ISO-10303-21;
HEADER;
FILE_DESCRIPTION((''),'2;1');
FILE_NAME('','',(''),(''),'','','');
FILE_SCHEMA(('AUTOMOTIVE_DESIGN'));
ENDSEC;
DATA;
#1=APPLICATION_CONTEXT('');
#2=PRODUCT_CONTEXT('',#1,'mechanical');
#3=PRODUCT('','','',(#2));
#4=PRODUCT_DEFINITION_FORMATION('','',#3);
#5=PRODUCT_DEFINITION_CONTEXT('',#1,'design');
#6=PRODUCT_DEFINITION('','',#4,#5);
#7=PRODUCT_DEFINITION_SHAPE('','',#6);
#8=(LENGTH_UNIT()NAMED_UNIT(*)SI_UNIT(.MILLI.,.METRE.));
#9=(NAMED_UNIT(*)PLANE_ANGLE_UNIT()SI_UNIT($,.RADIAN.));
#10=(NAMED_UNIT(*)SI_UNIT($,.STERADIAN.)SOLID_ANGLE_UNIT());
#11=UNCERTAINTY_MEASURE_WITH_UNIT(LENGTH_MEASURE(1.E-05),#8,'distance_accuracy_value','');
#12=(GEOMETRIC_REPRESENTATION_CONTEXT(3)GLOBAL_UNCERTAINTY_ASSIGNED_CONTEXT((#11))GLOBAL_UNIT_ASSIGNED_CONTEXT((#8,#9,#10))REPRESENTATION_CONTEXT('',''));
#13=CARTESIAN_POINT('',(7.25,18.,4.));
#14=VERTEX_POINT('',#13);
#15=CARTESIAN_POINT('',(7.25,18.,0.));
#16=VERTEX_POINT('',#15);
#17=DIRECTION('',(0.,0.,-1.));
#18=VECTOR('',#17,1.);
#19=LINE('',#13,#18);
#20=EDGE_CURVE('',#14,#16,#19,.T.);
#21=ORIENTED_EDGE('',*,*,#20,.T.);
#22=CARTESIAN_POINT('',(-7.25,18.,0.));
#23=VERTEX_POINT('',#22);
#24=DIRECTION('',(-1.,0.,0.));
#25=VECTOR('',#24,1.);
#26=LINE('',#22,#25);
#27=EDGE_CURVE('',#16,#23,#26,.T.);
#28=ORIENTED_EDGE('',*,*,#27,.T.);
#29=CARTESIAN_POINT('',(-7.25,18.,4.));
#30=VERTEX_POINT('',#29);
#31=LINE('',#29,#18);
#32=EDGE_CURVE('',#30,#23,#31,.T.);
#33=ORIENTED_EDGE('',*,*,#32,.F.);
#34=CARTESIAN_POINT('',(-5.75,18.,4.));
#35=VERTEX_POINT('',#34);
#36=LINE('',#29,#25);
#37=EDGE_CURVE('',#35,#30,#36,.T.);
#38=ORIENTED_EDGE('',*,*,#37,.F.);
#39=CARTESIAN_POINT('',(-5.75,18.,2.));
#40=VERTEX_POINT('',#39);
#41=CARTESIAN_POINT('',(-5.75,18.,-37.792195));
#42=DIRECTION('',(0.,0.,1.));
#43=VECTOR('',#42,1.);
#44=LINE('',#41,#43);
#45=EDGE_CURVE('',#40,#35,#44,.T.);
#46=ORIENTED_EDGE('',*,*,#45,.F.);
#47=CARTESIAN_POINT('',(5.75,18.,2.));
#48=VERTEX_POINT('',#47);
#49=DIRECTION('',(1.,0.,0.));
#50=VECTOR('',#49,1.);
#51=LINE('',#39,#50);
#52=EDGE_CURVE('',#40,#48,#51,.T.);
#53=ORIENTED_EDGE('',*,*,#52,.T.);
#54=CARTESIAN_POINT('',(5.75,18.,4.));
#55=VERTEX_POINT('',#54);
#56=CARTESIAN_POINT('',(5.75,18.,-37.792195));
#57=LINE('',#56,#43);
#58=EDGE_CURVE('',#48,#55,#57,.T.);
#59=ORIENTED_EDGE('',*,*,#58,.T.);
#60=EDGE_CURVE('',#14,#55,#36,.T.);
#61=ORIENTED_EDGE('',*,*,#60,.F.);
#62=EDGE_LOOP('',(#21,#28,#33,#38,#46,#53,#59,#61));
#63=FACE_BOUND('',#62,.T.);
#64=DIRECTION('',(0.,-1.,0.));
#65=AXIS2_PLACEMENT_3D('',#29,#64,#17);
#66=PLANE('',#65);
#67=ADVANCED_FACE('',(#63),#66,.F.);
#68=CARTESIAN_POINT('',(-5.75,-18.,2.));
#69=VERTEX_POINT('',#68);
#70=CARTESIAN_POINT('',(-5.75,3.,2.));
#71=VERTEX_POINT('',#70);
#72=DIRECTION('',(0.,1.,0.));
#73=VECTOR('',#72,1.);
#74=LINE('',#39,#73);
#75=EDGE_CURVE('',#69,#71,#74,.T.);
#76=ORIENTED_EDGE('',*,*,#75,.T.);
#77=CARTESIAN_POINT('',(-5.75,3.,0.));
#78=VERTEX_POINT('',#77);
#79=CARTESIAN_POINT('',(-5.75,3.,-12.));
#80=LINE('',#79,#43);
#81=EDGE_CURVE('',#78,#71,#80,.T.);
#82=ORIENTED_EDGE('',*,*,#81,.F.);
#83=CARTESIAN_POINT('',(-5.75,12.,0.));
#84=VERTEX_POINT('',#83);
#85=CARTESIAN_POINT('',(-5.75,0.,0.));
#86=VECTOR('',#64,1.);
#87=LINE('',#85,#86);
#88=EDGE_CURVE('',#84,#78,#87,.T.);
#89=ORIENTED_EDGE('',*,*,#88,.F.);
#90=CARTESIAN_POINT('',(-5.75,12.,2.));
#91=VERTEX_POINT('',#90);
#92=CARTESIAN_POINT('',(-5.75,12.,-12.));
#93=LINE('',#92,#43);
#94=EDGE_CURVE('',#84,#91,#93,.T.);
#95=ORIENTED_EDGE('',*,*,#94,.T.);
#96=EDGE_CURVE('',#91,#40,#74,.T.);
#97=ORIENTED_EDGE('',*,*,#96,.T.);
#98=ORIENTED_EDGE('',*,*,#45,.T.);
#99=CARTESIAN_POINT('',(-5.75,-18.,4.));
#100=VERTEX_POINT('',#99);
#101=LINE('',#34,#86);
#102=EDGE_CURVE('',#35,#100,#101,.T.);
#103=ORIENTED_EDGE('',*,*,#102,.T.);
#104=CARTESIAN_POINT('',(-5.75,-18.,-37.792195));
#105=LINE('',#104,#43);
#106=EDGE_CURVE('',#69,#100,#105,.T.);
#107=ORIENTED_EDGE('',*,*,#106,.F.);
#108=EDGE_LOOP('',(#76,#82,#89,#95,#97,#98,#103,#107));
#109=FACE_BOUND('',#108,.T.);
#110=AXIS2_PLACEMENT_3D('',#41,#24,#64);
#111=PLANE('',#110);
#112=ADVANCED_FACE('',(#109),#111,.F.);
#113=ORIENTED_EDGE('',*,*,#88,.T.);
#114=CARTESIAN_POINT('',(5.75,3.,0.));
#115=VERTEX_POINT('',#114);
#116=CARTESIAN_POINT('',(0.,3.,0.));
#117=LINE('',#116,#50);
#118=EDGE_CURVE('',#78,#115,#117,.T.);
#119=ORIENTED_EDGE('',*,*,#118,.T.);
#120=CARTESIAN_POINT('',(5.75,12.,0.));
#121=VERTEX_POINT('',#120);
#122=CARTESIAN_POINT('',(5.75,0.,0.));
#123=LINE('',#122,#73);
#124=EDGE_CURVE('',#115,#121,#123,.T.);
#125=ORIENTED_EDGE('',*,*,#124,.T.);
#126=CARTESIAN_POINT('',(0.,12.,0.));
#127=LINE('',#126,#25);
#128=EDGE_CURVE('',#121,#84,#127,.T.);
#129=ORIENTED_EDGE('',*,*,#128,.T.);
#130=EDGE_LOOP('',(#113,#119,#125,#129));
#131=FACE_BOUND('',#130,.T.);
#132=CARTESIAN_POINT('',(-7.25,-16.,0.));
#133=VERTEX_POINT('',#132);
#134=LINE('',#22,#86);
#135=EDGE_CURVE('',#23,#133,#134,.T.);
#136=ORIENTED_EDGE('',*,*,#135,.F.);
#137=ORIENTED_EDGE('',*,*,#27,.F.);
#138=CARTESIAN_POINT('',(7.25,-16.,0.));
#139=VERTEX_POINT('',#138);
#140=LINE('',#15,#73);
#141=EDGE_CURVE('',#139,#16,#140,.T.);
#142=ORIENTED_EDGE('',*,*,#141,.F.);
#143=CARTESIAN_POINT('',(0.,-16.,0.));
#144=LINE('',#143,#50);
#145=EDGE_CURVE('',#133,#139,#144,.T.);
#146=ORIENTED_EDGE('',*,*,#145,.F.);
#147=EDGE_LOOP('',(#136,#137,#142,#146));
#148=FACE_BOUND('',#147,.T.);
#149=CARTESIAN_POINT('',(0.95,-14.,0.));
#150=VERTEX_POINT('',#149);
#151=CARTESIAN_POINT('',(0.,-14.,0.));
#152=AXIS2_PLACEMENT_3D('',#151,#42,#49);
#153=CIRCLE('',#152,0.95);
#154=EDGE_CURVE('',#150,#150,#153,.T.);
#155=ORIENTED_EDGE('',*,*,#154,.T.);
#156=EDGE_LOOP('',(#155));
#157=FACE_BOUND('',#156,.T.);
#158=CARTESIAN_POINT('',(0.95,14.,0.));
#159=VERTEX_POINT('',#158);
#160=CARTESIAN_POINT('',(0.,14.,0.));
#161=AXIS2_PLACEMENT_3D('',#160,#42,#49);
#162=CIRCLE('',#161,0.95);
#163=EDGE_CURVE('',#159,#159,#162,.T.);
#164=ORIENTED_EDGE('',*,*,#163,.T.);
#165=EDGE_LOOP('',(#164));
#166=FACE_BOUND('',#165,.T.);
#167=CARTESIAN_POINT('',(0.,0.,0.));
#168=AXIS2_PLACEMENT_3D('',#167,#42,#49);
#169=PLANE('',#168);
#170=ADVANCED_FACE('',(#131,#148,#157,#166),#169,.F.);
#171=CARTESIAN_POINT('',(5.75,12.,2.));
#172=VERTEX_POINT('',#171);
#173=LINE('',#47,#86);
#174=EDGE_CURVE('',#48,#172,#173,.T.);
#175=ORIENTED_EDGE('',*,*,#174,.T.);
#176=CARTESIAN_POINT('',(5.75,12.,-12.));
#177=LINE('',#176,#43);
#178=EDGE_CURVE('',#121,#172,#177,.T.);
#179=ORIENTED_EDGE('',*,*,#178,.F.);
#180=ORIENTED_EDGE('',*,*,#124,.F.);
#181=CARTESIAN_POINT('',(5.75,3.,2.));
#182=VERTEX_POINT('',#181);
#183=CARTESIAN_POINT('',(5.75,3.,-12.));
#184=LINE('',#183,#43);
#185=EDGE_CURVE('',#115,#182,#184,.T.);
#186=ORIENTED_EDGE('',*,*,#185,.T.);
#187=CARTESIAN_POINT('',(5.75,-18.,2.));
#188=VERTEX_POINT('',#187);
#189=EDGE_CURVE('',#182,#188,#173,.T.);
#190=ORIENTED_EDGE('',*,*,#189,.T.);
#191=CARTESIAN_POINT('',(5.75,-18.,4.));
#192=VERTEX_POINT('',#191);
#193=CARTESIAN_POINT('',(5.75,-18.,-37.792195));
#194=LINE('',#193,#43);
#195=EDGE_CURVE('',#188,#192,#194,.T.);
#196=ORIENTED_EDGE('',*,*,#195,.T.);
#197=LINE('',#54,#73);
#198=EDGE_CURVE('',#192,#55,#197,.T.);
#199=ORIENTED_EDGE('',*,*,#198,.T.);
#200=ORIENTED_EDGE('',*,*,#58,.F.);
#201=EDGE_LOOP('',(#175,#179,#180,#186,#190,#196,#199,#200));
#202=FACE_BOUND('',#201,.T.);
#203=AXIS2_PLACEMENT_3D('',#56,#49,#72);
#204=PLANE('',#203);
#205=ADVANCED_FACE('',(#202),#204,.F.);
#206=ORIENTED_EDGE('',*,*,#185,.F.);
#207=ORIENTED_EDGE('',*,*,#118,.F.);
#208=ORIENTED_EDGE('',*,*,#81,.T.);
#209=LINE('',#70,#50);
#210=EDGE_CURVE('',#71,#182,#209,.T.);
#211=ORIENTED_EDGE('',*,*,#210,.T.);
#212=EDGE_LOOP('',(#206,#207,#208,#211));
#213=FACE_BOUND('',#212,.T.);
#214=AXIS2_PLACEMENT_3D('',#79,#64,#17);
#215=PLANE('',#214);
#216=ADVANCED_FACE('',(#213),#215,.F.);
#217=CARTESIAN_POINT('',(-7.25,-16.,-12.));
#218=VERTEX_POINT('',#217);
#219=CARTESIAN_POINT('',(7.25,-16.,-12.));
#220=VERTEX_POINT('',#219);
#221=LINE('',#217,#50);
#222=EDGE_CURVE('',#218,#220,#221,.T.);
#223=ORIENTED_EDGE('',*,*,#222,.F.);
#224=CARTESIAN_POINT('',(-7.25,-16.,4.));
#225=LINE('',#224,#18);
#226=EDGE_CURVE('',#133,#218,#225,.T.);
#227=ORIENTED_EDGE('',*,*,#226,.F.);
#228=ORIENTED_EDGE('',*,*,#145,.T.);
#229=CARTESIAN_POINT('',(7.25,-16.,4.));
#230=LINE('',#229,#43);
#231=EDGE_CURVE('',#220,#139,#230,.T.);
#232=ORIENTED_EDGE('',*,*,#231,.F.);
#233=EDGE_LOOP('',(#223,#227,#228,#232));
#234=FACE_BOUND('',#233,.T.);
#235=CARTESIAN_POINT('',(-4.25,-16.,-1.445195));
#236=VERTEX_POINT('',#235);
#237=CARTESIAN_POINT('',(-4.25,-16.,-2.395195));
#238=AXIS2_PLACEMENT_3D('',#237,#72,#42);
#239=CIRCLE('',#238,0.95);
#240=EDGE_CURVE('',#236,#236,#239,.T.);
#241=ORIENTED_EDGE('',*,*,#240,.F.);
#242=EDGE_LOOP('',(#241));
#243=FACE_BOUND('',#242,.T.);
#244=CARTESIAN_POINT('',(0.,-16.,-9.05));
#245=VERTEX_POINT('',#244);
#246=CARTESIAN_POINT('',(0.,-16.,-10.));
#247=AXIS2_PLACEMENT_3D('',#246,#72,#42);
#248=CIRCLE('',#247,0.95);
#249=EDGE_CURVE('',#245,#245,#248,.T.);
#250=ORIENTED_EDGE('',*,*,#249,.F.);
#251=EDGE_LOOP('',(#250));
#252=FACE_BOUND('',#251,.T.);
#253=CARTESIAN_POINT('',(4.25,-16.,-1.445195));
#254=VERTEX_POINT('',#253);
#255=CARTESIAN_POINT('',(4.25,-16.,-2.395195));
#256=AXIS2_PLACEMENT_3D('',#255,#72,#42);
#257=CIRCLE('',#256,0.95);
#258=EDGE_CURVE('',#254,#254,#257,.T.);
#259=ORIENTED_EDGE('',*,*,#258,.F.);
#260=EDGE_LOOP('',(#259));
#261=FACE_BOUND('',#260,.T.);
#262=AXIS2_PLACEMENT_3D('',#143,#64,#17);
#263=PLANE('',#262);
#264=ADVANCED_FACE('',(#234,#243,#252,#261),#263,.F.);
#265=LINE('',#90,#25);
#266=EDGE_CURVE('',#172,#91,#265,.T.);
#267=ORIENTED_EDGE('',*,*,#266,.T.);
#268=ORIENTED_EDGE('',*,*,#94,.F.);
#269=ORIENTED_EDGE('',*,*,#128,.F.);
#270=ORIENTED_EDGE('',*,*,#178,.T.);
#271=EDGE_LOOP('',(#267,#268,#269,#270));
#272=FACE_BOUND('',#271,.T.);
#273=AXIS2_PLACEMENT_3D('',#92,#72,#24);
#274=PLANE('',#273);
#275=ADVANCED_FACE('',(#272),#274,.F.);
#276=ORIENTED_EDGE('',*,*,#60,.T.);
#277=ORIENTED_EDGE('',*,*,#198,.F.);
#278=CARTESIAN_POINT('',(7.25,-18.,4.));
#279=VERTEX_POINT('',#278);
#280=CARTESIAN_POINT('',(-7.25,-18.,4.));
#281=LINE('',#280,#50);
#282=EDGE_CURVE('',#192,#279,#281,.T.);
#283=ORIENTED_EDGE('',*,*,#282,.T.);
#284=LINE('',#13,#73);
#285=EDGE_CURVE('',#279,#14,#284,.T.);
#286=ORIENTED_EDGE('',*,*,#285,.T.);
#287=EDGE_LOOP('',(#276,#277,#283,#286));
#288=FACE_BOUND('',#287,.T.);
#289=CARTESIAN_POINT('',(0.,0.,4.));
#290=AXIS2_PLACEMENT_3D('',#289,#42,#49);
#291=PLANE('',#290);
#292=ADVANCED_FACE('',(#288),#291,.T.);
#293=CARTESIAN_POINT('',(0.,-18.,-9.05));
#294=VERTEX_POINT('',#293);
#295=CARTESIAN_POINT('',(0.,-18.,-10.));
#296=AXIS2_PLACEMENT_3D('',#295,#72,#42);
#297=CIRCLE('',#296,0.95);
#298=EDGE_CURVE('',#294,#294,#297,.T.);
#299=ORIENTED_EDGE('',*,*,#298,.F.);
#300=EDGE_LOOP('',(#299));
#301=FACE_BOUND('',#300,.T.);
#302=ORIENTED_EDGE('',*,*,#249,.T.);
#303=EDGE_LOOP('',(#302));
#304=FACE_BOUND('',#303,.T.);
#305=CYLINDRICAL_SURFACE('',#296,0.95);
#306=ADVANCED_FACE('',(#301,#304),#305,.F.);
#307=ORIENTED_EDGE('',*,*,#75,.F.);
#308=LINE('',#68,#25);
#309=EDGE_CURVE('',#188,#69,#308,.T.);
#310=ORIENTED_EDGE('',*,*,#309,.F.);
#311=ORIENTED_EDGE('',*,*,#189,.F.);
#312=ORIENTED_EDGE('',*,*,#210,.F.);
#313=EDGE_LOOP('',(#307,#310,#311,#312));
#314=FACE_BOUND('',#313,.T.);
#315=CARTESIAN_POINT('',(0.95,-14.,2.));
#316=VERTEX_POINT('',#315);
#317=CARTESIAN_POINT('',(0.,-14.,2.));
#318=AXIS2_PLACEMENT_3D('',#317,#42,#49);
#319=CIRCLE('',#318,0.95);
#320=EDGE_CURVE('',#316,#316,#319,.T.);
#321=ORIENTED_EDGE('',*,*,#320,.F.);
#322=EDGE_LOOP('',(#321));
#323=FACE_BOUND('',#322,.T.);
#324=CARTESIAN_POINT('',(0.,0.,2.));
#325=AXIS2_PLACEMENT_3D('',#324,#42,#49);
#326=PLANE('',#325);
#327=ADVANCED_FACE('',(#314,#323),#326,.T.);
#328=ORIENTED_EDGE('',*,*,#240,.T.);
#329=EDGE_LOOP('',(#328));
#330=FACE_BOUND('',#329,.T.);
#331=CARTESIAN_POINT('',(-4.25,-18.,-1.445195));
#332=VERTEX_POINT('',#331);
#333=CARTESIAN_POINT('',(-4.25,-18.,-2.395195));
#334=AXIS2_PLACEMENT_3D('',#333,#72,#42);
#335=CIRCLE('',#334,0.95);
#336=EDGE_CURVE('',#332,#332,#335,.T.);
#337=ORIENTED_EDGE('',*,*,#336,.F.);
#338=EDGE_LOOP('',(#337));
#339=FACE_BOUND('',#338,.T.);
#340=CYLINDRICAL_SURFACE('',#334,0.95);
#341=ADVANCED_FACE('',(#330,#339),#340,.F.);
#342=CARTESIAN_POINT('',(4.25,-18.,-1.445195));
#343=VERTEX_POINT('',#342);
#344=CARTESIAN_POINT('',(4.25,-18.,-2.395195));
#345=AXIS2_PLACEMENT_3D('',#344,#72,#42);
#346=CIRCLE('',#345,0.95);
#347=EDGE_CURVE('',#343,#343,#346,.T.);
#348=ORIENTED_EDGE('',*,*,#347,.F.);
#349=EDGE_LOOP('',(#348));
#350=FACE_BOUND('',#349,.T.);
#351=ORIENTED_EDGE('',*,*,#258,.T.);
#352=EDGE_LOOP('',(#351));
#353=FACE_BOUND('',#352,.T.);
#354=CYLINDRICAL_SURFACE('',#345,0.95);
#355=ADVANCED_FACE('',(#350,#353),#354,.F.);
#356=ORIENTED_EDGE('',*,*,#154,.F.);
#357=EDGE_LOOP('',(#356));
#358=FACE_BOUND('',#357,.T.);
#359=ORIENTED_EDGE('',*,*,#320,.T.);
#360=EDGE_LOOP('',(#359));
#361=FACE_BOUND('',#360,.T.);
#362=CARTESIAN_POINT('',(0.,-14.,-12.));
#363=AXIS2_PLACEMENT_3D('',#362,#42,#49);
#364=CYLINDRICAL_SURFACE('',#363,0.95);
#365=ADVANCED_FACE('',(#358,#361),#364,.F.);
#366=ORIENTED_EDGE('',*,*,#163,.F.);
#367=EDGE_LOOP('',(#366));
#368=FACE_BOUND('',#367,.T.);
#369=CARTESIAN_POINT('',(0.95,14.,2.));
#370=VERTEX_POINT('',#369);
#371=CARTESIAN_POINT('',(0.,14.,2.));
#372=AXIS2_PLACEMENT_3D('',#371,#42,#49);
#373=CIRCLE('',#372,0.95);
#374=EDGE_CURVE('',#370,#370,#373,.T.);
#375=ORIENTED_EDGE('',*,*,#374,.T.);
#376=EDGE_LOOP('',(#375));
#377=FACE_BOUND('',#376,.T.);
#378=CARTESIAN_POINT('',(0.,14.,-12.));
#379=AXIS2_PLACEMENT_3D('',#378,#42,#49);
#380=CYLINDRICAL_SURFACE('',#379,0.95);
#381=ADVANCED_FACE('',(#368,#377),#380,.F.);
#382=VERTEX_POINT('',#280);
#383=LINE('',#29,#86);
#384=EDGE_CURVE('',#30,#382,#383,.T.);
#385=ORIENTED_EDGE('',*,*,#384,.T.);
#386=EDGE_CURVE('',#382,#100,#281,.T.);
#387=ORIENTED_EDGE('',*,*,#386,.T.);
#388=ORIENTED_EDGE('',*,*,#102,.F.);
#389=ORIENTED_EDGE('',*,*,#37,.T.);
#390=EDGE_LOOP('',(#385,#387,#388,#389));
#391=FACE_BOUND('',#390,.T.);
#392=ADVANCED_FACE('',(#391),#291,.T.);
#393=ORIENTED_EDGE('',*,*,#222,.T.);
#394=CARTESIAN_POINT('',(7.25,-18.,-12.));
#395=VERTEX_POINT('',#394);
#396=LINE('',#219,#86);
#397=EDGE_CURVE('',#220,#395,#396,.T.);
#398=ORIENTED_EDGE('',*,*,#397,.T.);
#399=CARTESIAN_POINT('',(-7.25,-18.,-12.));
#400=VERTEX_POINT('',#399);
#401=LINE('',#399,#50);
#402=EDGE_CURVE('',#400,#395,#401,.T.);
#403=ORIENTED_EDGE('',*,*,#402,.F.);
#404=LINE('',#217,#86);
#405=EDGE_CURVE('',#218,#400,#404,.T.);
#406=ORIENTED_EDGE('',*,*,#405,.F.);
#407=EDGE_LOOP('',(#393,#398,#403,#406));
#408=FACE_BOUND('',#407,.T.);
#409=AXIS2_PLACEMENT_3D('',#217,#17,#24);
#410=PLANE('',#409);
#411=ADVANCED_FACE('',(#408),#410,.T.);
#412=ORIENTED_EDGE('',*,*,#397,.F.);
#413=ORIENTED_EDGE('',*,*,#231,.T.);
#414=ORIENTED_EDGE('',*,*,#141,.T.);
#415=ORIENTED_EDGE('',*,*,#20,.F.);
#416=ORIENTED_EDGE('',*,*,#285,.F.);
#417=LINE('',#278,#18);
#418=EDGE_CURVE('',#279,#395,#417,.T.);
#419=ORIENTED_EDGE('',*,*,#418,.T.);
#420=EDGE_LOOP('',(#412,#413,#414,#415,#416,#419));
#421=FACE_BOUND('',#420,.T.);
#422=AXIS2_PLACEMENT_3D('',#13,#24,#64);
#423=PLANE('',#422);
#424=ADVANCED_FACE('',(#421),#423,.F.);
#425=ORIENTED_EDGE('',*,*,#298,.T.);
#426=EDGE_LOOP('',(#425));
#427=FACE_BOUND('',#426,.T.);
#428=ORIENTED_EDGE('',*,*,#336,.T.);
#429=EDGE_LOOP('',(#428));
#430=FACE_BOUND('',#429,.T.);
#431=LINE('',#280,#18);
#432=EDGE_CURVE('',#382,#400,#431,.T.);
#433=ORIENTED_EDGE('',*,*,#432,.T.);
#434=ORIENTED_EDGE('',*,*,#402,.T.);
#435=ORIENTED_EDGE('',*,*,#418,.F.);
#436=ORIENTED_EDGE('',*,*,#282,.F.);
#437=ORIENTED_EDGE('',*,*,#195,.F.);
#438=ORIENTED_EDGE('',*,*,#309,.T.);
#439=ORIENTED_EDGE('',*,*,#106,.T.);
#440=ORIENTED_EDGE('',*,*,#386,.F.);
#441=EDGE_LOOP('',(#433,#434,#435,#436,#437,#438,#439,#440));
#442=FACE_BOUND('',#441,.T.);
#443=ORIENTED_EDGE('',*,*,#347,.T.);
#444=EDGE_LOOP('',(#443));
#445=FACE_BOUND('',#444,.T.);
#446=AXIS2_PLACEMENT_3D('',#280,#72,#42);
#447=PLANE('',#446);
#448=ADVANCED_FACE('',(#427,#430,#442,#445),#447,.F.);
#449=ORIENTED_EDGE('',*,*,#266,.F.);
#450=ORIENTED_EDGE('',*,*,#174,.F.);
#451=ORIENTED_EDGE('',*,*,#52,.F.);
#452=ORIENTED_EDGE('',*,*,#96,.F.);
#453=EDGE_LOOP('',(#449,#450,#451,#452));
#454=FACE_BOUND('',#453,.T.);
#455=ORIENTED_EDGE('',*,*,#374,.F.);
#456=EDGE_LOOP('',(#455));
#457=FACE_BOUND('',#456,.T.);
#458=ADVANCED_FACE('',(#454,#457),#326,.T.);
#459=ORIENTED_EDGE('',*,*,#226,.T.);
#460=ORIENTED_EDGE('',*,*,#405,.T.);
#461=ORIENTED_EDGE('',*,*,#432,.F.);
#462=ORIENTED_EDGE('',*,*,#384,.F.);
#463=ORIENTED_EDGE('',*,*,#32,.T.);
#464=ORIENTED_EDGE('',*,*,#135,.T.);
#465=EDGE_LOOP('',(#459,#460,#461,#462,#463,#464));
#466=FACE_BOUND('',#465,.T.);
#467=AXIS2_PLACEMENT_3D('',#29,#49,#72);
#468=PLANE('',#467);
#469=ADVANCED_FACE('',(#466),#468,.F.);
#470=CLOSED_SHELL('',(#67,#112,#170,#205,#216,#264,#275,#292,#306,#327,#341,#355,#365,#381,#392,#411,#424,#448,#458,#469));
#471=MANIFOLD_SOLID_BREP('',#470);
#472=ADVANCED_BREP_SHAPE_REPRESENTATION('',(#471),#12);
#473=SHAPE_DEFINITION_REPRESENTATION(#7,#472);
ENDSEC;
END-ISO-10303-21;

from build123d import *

# Parameters (mm, degrees)
SKETCH1_W           = 14.5
SKETCH1_H           = 36
BOSS_EXTRUDE1_DEPTH = 4
SKETCH3_W           = 14.5
SKETCH3_H           = 16
BOSS_EXTRUDE2_DEPTH = 2
SKETCH2_W           = 11.5
SKETCH2_H           = 36
CUT_EXTRUDE1_DEPTH  = 2
SKETCH4_R           = 0.95
CUT_EXTRUDE2_DEPTH  = 15
SKETCH5_W           = 11.5
SKETCH5_H           = 9
CUT_EXTRUDE3_DEPTH  = 15
SKETCH6_R           = 0.95
CUT_EXTRUDE4_DEPTH  = 3


with BuildPart() as part:
    # Sketch1 → Boss-Extrude1 (new body)
    with BuildSketch(Plane.XY):
        Rectangle(SKETCH1_W, SKETCH1_H)
    extrude(amount=BOSS_EXTRUDE1_DEPTH)

    # Sketch3 → Boss-Extrude2 (add)
    with BuildSketch(Plane.XZ.offset(18)):
        with Locations((0, -4)):
            Rectangle(SKETCH3_W, SKETCH3_H)
    extrude(amount=-BOSS_EXTRUDE2_DEPTH)

    # Sketch2 → Cut-Extrude1 (cut)
    with BuildSketch(Plane.XY.offset(4)):
        Rectangle(SKETCH2_W, SKETCH2_H)
    extrude(amount=-CUT_EXTRUDE1_DEPTH, mode=Mode.SUBTRACT)

    # Sketch4 → Cut-Extrude2 (cut, through all)
    with BuildSketch(Plane.XY.offset(2)):
        with Locations((0, -14)):
            Circle(SKETCH4_R)
        with Locations((0, 14)):
            Circle(SKETCH4_R)
    extrude(amount=-CUT_EXTRUDE2_DEPTH, mode=Mode.SUBTRACT)

    # Sketch5 → Cut-Extrude3 (cut, through all)
    with BuildSketch(Plane.XY.offset(2)):
        with Locations((0, 7.5)):
            Rectangle(SKETCH5_W, SKETCH5_H)
    extrude(amount=-CUT_EXTRUDE3_DEPTH, mode=Mode.SUBTRACT)

    # Sketch6 → Cut-Extrude4 (cut, through all)
    with BuildSketch(Plane(origin=(0, -16, 0), x_dir=(1, 0, 0), z_dir=(0, 1, 0))):
        with Locations((-4.25, 2.395194775)):
            Circle(SKETCH6_R)
        with Locations((4.25, 2.395194775)):
            Circle(SKETCH6_R)
        with Locations((0, 10)):
            Circle(SKETCH6_R)
    extrude(amount=-CUT_EXTRUDE4_DEPTH, mode=Mode.SUBTRACT)


solid = part.part
